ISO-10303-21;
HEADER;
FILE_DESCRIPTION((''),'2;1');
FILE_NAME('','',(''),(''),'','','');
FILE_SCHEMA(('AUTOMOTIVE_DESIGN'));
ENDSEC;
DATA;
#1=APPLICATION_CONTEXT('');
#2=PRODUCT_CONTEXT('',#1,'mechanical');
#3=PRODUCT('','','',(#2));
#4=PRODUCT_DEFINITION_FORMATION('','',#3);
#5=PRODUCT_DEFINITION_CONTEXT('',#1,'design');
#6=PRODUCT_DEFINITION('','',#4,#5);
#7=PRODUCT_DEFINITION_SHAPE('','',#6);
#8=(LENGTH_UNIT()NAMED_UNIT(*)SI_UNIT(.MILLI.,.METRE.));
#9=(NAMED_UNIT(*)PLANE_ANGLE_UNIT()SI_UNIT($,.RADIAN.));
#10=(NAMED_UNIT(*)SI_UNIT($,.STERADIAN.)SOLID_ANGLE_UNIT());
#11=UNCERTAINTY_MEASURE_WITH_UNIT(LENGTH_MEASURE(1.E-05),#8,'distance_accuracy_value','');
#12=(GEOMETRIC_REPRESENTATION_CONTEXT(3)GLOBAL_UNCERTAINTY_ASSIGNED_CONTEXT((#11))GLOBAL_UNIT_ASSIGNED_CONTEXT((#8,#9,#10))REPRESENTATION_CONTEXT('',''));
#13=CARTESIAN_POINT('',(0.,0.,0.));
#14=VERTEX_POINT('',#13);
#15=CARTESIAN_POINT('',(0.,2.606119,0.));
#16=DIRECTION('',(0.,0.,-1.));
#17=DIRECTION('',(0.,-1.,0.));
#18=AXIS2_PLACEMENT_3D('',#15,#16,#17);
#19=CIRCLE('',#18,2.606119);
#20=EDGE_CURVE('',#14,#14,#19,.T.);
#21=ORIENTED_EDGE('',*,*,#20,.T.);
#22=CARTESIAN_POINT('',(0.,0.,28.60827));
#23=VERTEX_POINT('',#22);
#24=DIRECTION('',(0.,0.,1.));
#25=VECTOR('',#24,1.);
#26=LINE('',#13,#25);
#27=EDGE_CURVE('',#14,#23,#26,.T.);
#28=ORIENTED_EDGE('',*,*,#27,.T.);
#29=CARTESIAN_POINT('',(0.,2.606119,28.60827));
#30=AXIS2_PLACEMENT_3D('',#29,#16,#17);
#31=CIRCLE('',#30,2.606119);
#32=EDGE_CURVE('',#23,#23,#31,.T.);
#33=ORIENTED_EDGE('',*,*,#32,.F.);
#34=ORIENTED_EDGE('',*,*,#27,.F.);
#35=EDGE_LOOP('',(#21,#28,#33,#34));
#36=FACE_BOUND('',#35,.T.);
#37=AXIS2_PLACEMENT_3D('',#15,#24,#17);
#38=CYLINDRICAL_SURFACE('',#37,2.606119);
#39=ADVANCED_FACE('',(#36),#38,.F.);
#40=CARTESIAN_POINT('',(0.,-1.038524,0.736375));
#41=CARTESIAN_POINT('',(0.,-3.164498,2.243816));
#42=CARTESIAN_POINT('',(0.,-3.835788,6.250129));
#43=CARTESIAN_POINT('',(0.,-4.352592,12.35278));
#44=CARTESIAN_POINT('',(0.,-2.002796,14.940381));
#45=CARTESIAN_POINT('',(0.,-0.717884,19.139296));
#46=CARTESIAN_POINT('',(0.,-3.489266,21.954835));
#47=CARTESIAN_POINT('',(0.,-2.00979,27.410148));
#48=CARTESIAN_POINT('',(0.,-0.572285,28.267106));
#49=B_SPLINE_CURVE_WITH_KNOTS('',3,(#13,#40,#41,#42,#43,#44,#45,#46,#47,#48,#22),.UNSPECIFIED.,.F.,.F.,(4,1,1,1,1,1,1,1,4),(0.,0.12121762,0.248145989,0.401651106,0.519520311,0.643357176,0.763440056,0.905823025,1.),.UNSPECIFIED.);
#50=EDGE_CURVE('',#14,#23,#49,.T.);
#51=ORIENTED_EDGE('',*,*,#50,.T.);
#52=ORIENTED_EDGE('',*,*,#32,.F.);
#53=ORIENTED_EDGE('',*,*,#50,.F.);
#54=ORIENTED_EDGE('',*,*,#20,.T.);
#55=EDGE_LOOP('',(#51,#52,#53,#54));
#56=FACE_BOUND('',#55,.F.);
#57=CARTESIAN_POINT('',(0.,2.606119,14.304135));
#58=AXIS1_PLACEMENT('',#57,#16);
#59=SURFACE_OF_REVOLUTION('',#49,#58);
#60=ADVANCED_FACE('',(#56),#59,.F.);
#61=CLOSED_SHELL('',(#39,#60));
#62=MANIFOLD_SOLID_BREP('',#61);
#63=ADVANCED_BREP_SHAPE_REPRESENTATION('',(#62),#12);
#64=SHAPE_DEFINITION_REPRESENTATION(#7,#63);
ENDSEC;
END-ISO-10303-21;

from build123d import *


with BuildPart() as f1:
    # F0 (on Right) → F1 (revolve)
    with BuildSketch(Plane.YZ):
        with BuildLine():
            add(Edge.make_bspline(
                [(0, 0), (-1.0385238198, 0.7363747336), (-3.164497923, 2.2438159535), (-3.8357876557, 6.250129074), (-4.3525924751, 12.3527802722), (-2.0027962292, 14.9403809765), (-0.7178837266, 19.1392955521), (-3.4892661773, 21.9548346299), (-2.009789997, 27.4101476604), (-0.5722854996, 28.267105969), (0, 28.6082699895)],
                knots=[0, 0, 0, 0, 0.1212176199, 0.2481459895, 0.4016511063, 0.519520311, 0.6433571757, 0.7634400564, 0.9058230247, 1, 1, 1, 1], degree=3))
            Line((0, 0), (0, 28.6082699895))
        make_face()
    revolve(axis=Axis((0, 2.6061192621, 14.3041349947), (0, 0, -1)))


solid = f1.part
